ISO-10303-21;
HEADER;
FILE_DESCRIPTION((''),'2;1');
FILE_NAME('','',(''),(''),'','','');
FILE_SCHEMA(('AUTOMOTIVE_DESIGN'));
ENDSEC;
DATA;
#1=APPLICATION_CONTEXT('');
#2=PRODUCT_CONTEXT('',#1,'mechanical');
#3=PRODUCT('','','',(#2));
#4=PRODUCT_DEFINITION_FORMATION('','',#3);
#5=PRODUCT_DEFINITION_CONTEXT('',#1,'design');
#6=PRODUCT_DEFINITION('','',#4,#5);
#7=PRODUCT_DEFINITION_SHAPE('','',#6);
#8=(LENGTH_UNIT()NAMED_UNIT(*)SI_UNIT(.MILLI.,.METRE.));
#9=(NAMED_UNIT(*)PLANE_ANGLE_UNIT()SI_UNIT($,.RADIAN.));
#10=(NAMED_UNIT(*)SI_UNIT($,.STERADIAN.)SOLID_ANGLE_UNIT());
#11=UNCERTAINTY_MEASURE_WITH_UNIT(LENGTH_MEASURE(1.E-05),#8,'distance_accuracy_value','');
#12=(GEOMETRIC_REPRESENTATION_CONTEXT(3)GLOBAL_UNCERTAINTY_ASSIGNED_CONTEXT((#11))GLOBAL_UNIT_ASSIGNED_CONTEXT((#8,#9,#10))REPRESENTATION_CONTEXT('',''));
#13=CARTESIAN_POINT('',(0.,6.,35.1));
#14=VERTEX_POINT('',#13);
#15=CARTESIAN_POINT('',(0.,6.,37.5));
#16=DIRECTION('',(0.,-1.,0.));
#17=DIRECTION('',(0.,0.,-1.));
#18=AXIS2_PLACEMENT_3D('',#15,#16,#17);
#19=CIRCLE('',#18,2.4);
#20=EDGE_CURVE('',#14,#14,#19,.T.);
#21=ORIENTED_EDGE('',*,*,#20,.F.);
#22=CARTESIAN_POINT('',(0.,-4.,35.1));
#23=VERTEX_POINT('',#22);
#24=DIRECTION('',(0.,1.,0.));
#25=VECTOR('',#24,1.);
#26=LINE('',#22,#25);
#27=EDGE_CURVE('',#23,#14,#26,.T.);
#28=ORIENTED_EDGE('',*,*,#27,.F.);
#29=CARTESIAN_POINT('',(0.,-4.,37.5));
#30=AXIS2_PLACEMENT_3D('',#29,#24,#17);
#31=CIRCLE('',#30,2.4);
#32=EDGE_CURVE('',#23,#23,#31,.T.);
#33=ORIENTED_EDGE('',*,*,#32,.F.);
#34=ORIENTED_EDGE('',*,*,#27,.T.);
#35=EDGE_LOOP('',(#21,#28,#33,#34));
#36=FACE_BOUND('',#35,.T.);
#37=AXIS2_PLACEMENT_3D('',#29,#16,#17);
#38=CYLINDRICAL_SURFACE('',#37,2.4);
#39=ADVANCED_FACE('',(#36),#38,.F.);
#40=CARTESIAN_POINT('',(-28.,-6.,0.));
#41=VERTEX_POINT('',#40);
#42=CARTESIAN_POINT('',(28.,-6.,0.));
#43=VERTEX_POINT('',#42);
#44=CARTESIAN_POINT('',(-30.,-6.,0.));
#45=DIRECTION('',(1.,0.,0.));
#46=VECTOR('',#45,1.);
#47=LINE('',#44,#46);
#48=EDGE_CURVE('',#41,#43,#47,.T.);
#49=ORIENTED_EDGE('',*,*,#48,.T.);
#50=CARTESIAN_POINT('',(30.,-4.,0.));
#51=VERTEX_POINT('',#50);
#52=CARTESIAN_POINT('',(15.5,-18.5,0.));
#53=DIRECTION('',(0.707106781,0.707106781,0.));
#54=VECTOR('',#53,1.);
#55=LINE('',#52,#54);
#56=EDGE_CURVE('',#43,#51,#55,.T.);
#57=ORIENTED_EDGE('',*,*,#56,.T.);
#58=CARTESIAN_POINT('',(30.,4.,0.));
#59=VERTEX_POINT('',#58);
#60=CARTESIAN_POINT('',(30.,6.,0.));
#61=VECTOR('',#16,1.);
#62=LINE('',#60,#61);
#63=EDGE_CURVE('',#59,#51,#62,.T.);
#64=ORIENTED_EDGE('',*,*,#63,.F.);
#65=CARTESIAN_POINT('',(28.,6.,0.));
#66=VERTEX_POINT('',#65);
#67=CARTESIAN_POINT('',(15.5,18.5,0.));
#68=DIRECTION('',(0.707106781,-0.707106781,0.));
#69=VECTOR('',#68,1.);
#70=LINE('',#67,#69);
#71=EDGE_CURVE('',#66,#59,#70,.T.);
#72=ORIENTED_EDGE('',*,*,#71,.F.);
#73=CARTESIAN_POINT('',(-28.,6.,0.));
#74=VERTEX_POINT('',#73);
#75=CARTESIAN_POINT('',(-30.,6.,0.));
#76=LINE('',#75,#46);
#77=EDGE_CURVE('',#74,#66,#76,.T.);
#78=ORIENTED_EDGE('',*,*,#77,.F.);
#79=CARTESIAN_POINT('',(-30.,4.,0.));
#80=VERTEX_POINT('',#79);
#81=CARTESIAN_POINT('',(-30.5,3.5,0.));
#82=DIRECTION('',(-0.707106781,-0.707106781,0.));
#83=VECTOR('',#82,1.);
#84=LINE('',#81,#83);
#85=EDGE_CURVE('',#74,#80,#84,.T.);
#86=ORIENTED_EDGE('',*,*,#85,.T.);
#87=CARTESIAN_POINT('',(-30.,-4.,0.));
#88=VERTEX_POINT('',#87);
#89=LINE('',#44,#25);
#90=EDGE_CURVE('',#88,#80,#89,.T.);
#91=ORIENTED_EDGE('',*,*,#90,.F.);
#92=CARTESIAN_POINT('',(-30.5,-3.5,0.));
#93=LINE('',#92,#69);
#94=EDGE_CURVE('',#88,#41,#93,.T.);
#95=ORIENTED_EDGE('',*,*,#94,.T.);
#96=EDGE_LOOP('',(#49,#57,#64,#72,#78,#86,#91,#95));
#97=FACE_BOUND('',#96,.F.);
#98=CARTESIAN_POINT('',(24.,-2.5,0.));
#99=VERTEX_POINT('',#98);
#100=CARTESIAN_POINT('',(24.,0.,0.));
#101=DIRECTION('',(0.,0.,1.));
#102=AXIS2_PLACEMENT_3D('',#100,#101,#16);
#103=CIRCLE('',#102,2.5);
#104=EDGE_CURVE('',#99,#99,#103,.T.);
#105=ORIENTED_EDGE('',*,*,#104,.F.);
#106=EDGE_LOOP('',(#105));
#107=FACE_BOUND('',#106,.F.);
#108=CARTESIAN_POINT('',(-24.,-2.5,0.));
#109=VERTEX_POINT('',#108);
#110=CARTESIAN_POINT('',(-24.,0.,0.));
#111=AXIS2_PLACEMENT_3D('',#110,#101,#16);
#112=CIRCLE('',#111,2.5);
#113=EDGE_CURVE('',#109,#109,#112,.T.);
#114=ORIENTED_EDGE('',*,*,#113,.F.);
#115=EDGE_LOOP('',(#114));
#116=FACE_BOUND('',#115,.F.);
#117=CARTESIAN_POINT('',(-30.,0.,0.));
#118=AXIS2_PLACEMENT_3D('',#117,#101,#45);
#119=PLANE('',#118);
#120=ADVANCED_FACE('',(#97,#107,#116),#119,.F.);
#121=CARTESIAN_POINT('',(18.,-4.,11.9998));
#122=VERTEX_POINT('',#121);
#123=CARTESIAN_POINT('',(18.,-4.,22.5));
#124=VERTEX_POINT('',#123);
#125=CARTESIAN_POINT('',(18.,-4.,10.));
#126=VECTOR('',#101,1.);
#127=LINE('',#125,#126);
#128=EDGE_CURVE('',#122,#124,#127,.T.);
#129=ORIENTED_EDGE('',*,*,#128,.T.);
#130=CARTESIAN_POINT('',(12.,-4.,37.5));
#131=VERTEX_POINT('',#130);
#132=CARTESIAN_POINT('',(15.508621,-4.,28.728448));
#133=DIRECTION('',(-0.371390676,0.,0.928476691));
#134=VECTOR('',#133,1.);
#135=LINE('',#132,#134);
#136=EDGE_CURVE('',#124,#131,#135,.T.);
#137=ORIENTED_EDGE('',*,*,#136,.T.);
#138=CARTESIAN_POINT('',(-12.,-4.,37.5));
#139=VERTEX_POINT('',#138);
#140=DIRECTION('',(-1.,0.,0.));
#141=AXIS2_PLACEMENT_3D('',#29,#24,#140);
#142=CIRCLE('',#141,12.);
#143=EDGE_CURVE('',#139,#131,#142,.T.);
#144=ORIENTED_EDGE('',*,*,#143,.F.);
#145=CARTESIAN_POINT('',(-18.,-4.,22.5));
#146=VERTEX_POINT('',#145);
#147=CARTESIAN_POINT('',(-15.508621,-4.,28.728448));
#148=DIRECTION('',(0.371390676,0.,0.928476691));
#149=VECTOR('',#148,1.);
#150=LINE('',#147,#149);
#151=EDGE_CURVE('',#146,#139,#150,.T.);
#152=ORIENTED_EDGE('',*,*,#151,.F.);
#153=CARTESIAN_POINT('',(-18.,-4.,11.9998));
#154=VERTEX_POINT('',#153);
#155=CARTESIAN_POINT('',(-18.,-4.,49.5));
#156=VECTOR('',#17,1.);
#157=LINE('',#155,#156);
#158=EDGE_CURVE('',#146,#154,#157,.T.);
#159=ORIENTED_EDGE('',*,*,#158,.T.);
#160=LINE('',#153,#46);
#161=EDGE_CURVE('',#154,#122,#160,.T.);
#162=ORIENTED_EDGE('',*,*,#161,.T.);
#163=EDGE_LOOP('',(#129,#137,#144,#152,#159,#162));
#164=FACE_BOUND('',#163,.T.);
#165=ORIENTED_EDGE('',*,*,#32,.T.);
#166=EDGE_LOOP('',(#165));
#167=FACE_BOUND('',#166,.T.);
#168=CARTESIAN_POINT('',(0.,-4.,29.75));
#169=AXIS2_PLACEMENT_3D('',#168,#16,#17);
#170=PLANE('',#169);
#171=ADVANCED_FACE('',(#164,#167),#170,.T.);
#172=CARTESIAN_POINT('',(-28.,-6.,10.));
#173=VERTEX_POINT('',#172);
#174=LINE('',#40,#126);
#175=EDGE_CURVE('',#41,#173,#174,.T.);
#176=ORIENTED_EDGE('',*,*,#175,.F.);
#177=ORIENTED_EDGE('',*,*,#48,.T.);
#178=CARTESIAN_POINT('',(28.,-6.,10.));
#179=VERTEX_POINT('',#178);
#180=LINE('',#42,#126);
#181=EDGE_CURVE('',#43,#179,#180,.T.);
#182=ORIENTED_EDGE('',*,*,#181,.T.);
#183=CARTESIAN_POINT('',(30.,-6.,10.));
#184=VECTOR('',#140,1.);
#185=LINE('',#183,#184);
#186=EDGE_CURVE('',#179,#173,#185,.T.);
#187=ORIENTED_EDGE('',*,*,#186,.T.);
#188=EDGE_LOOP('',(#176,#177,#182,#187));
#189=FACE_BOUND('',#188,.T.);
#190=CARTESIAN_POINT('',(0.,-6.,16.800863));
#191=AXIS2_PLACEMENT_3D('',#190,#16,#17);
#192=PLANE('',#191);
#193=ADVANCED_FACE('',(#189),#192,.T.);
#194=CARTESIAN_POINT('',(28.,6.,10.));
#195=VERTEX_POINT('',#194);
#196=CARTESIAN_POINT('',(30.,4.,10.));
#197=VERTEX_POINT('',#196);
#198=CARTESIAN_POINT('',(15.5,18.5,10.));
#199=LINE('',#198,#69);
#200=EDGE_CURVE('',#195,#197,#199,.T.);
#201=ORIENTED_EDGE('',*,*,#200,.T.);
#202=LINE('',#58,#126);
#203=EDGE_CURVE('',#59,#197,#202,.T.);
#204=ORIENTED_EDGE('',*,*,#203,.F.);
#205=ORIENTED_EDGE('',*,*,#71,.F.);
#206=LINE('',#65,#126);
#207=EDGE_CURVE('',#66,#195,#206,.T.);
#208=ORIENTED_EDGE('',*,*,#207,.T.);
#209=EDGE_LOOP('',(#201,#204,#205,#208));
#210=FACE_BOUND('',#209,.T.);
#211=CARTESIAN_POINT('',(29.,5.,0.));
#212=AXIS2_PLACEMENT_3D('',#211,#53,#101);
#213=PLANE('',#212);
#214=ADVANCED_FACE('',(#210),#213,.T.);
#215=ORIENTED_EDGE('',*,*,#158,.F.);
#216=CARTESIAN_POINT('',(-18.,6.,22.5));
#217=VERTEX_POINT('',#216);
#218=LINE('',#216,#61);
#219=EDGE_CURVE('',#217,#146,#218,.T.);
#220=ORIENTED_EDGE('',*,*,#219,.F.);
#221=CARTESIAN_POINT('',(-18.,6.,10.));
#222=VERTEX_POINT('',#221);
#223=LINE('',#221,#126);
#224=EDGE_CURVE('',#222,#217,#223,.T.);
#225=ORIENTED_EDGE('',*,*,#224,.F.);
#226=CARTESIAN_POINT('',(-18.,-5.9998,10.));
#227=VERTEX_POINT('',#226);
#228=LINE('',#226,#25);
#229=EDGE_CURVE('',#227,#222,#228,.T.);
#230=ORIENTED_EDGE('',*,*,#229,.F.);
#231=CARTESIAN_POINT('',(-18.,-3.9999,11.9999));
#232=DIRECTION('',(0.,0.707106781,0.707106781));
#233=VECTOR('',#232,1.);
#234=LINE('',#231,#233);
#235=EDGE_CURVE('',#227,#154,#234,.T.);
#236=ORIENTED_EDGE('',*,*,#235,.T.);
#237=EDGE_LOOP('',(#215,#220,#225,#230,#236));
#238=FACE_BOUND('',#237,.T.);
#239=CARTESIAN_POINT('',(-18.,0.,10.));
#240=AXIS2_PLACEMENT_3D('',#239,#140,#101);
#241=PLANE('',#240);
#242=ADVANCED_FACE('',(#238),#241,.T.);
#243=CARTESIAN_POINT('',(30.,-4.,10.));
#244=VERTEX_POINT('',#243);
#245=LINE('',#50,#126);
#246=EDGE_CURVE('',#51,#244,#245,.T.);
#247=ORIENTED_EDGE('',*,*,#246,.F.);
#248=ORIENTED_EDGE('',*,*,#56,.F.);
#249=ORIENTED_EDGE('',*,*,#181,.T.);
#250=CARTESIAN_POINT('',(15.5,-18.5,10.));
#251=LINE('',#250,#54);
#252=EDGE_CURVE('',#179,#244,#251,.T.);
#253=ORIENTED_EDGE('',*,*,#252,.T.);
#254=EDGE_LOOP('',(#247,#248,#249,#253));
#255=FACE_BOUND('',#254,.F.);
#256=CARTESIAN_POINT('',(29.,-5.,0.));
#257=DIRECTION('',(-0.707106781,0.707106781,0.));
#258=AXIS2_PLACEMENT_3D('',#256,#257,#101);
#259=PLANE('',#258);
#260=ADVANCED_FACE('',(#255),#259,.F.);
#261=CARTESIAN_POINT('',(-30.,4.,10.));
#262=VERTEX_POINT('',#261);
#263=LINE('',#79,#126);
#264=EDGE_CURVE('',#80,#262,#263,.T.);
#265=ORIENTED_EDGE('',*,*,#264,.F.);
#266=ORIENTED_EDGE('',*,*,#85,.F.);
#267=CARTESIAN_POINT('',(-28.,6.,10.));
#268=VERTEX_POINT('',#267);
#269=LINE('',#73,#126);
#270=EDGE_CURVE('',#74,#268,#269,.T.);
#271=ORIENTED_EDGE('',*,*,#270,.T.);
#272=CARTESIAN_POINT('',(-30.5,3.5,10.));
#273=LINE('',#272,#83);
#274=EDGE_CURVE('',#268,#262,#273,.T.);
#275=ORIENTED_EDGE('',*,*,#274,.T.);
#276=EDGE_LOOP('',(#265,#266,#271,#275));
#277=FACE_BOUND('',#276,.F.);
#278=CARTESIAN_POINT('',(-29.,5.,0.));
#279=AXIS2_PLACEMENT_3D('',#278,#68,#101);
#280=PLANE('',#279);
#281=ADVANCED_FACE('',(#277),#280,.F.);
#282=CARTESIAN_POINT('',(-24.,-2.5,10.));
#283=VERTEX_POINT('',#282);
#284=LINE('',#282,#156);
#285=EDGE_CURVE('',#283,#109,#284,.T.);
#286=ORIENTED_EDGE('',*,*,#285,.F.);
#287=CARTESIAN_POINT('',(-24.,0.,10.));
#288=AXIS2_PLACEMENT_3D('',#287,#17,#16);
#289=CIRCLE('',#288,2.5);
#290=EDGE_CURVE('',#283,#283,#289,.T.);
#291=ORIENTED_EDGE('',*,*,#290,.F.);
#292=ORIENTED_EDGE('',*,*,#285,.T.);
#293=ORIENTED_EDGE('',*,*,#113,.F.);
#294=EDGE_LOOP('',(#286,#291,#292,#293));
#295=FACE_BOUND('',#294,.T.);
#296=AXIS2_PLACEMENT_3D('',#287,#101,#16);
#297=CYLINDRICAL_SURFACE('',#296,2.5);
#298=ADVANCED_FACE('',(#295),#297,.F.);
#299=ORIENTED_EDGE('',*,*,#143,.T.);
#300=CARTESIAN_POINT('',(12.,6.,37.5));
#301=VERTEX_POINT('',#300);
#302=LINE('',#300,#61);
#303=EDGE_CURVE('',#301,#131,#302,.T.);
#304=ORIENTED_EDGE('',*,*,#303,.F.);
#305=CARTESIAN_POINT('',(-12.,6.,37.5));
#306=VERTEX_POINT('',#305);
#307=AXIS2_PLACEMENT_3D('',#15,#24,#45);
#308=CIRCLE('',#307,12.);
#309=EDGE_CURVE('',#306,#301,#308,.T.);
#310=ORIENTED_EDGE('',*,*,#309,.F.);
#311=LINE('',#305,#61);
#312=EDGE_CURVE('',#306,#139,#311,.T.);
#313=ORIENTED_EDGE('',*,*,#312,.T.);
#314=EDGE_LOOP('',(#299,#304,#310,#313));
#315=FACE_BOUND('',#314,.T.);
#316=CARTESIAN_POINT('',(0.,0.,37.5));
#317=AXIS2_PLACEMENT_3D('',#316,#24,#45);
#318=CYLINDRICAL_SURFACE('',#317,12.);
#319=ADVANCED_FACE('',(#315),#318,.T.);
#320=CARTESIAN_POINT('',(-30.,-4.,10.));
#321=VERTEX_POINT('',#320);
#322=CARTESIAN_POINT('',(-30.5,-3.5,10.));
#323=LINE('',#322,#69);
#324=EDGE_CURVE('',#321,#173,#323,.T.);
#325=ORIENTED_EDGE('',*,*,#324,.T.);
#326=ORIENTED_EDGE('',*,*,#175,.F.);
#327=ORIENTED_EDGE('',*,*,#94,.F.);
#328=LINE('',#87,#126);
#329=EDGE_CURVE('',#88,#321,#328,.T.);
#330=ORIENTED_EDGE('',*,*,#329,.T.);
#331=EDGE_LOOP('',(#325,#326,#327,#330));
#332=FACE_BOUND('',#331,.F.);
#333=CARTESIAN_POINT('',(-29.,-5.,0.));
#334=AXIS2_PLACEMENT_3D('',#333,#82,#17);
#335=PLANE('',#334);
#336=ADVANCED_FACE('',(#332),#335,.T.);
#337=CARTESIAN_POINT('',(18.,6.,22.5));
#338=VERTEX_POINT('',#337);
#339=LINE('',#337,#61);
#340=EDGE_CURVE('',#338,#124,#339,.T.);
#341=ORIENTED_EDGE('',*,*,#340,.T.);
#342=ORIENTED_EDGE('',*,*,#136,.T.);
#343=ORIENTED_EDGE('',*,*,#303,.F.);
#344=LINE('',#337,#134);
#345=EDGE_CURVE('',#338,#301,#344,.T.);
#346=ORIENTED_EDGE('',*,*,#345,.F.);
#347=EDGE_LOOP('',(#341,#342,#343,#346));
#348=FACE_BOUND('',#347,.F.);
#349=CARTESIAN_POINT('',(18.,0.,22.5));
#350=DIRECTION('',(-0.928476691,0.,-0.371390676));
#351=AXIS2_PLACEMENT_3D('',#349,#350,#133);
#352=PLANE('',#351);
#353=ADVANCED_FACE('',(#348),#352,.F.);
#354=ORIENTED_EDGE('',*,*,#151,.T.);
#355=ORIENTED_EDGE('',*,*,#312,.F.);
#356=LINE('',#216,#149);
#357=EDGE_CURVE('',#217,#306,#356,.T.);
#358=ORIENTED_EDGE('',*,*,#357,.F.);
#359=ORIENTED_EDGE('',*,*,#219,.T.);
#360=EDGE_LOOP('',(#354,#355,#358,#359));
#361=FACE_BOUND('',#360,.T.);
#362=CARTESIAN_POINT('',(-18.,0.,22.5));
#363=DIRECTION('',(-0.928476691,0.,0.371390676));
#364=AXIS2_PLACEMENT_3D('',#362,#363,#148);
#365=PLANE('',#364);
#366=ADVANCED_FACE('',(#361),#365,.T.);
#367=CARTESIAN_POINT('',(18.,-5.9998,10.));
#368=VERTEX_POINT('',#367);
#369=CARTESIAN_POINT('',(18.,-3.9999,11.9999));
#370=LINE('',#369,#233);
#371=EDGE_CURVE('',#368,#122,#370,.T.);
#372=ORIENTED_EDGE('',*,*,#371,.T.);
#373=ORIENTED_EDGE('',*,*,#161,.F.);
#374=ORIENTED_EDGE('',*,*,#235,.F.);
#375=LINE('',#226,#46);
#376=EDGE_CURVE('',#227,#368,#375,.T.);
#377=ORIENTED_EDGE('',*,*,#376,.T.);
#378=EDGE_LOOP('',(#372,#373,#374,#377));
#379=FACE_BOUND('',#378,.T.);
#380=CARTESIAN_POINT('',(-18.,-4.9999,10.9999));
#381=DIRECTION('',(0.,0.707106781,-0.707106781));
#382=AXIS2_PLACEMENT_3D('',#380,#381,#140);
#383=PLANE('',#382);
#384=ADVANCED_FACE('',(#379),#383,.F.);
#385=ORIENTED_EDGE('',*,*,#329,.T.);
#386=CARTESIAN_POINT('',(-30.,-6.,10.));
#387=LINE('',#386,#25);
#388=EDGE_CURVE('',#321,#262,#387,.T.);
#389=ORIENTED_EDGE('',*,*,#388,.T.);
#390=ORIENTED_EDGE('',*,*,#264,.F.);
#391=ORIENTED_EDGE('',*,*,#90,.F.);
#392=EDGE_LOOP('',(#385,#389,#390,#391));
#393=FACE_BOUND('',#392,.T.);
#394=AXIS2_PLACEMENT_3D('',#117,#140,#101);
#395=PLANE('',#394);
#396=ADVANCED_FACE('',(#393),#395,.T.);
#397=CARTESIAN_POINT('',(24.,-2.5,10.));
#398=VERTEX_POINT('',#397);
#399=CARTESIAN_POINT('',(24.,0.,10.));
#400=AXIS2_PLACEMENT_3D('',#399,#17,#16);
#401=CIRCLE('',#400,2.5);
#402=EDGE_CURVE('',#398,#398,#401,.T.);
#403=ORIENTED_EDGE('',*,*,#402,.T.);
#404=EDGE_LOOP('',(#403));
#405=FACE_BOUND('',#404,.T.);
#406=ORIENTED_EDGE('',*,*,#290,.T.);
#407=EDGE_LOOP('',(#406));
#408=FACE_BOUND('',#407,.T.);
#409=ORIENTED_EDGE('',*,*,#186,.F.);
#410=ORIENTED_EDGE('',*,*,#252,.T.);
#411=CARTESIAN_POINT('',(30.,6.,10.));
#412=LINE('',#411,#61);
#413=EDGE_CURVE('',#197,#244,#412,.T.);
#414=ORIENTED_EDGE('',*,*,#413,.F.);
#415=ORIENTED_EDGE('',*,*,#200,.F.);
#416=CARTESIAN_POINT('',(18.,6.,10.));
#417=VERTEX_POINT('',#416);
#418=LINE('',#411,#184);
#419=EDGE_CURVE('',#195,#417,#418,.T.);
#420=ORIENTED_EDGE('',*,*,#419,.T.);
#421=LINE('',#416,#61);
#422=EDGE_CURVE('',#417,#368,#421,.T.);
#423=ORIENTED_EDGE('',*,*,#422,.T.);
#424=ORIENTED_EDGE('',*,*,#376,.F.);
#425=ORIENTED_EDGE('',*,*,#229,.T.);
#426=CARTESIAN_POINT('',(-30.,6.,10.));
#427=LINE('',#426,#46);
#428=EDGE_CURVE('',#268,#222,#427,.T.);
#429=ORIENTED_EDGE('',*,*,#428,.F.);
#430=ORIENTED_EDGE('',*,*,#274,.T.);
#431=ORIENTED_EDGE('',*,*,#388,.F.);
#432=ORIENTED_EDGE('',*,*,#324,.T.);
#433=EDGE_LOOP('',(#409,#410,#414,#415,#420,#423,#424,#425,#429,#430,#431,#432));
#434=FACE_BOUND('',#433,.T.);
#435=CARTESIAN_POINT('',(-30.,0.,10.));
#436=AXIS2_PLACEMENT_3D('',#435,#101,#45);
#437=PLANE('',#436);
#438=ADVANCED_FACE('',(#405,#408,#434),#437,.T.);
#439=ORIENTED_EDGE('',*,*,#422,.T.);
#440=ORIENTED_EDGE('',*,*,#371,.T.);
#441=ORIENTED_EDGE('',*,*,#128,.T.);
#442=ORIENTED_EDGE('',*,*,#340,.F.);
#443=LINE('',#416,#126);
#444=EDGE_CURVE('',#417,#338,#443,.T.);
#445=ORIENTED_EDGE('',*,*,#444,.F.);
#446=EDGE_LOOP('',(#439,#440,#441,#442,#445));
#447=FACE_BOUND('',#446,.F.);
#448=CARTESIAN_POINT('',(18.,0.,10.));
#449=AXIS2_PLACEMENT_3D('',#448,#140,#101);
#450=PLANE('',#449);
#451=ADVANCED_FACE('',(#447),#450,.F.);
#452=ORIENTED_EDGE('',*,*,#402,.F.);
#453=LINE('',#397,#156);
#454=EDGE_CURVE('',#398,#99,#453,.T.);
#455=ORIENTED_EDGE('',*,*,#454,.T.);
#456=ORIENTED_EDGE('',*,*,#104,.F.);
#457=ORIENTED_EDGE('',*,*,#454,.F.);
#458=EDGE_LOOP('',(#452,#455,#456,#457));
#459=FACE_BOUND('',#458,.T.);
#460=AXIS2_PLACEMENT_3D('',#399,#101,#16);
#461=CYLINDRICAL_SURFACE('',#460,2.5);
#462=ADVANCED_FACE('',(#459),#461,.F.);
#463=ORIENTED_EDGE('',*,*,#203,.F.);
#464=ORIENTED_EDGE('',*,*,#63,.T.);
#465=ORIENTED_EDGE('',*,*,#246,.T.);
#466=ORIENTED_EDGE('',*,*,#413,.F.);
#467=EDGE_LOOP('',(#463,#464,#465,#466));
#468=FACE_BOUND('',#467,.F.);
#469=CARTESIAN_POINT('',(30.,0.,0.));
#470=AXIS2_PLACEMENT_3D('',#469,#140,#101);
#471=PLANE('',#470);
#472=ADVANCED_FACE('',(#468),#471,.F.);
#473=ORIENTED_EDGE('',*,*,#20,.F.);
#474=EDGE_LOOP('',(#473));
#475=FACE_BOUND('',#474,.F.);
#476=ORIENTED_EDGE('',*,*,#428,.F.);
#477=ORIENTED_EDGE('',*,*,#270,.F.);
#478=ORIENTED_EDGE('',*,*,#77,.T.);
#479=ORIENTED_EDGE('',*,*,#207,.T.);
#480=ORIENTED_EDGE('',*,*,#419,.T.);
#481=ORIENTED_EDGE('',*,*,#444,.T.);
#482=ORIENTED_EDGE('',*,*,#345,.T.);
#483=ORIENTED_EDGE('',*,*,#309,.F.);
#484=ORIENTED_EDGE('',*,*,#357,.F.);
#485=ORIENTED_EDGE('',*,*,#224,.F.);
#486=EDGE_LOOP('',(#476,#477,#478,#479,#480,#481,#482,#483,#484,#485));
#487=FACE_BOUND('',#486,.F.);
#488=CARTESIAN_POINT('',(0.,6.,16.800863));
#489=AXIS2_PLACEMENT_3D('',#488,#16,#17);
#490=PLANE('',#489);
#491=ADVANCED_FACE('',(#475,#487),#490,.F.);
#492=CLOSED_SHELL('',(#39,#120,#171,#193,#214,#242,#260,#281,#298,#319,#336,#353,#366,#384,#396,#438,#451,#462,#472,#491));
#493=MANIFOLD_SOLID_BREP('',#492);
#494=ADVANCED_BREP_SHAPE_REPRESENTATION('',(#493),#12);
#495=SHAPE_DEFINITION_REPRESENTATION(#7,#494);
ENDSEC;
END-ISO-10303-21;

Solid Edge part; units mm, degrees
sketch "Sketch1" plane through (0, 0, 0) normal (0, -1, 0) x (1, 0, 0)
  line L0 (-30, 0) -> (30, 0)
  line L1 (30, 0) -> (30, 10)
  line L2 (30, 10) -> (18, 10)
  line L3 (18, 10) -> (18, 22.5)
  line L4 (18, 22.5) -> (12, 37.5)
  arc A0 (-12, 37.5) -> (12, 37.5) centre (0, 37.5) cw
  line L5 (-18, 22.5) -> (-12, 37.5)
  line L6 (-18, 10) -> (-18, 22.5)
  line L7 (-30, 10) -> (-18, 10)
  line L8 (-30, 0) -> (-30, 10)
  dimension "D1" = 60
  dimension "D2" = 10
  dimension "D3" = 12
  dimension "D4" = 12.5
  dimension "D5" = 12
  dimension "D6" = 15
extrude "Protrusion1" add sketch "Sketch1" along normal mid plane 12
hole "Hole_1" at (-24, 0, 10) direction (0, 0, -1) diameter 5 end up to next
hole "Hole1" at (24, 0, 10) direction (0, 0, -1) diameter 5 end up to next
sketch "Sketch2" plane through (0, -6, 21.25) normal (0, -1, 0) x (1, 0, 0)
  line L0 (-18, -11.25) -> (18, -11.25)
  line L1 (18, -11.25) -> (18, 28.25)
  line L2 (18, 28.25) -> (-18, 28.25)
  line L3 (-18, 28.25) -> (-18, -11.25)
extrude "ExtrudedCutout_1" cut sketch "Sketch2" against normal blind 2
chamfer "Chamfer_1" distance 2 angle 45 1 edges at (0, -4, 10)
chamfer "Chamfer_2" distance 2 angle 45 4 edges at (30, -6, 5) (30, 6, 5) (-30, -6, 5) (-30, 6, 5)
hole "Hole_3" at (0, -4, 37.5) direction (0, 1, 0) diameter 4.8 end up to next
properties material "Polyethylene, low density"
